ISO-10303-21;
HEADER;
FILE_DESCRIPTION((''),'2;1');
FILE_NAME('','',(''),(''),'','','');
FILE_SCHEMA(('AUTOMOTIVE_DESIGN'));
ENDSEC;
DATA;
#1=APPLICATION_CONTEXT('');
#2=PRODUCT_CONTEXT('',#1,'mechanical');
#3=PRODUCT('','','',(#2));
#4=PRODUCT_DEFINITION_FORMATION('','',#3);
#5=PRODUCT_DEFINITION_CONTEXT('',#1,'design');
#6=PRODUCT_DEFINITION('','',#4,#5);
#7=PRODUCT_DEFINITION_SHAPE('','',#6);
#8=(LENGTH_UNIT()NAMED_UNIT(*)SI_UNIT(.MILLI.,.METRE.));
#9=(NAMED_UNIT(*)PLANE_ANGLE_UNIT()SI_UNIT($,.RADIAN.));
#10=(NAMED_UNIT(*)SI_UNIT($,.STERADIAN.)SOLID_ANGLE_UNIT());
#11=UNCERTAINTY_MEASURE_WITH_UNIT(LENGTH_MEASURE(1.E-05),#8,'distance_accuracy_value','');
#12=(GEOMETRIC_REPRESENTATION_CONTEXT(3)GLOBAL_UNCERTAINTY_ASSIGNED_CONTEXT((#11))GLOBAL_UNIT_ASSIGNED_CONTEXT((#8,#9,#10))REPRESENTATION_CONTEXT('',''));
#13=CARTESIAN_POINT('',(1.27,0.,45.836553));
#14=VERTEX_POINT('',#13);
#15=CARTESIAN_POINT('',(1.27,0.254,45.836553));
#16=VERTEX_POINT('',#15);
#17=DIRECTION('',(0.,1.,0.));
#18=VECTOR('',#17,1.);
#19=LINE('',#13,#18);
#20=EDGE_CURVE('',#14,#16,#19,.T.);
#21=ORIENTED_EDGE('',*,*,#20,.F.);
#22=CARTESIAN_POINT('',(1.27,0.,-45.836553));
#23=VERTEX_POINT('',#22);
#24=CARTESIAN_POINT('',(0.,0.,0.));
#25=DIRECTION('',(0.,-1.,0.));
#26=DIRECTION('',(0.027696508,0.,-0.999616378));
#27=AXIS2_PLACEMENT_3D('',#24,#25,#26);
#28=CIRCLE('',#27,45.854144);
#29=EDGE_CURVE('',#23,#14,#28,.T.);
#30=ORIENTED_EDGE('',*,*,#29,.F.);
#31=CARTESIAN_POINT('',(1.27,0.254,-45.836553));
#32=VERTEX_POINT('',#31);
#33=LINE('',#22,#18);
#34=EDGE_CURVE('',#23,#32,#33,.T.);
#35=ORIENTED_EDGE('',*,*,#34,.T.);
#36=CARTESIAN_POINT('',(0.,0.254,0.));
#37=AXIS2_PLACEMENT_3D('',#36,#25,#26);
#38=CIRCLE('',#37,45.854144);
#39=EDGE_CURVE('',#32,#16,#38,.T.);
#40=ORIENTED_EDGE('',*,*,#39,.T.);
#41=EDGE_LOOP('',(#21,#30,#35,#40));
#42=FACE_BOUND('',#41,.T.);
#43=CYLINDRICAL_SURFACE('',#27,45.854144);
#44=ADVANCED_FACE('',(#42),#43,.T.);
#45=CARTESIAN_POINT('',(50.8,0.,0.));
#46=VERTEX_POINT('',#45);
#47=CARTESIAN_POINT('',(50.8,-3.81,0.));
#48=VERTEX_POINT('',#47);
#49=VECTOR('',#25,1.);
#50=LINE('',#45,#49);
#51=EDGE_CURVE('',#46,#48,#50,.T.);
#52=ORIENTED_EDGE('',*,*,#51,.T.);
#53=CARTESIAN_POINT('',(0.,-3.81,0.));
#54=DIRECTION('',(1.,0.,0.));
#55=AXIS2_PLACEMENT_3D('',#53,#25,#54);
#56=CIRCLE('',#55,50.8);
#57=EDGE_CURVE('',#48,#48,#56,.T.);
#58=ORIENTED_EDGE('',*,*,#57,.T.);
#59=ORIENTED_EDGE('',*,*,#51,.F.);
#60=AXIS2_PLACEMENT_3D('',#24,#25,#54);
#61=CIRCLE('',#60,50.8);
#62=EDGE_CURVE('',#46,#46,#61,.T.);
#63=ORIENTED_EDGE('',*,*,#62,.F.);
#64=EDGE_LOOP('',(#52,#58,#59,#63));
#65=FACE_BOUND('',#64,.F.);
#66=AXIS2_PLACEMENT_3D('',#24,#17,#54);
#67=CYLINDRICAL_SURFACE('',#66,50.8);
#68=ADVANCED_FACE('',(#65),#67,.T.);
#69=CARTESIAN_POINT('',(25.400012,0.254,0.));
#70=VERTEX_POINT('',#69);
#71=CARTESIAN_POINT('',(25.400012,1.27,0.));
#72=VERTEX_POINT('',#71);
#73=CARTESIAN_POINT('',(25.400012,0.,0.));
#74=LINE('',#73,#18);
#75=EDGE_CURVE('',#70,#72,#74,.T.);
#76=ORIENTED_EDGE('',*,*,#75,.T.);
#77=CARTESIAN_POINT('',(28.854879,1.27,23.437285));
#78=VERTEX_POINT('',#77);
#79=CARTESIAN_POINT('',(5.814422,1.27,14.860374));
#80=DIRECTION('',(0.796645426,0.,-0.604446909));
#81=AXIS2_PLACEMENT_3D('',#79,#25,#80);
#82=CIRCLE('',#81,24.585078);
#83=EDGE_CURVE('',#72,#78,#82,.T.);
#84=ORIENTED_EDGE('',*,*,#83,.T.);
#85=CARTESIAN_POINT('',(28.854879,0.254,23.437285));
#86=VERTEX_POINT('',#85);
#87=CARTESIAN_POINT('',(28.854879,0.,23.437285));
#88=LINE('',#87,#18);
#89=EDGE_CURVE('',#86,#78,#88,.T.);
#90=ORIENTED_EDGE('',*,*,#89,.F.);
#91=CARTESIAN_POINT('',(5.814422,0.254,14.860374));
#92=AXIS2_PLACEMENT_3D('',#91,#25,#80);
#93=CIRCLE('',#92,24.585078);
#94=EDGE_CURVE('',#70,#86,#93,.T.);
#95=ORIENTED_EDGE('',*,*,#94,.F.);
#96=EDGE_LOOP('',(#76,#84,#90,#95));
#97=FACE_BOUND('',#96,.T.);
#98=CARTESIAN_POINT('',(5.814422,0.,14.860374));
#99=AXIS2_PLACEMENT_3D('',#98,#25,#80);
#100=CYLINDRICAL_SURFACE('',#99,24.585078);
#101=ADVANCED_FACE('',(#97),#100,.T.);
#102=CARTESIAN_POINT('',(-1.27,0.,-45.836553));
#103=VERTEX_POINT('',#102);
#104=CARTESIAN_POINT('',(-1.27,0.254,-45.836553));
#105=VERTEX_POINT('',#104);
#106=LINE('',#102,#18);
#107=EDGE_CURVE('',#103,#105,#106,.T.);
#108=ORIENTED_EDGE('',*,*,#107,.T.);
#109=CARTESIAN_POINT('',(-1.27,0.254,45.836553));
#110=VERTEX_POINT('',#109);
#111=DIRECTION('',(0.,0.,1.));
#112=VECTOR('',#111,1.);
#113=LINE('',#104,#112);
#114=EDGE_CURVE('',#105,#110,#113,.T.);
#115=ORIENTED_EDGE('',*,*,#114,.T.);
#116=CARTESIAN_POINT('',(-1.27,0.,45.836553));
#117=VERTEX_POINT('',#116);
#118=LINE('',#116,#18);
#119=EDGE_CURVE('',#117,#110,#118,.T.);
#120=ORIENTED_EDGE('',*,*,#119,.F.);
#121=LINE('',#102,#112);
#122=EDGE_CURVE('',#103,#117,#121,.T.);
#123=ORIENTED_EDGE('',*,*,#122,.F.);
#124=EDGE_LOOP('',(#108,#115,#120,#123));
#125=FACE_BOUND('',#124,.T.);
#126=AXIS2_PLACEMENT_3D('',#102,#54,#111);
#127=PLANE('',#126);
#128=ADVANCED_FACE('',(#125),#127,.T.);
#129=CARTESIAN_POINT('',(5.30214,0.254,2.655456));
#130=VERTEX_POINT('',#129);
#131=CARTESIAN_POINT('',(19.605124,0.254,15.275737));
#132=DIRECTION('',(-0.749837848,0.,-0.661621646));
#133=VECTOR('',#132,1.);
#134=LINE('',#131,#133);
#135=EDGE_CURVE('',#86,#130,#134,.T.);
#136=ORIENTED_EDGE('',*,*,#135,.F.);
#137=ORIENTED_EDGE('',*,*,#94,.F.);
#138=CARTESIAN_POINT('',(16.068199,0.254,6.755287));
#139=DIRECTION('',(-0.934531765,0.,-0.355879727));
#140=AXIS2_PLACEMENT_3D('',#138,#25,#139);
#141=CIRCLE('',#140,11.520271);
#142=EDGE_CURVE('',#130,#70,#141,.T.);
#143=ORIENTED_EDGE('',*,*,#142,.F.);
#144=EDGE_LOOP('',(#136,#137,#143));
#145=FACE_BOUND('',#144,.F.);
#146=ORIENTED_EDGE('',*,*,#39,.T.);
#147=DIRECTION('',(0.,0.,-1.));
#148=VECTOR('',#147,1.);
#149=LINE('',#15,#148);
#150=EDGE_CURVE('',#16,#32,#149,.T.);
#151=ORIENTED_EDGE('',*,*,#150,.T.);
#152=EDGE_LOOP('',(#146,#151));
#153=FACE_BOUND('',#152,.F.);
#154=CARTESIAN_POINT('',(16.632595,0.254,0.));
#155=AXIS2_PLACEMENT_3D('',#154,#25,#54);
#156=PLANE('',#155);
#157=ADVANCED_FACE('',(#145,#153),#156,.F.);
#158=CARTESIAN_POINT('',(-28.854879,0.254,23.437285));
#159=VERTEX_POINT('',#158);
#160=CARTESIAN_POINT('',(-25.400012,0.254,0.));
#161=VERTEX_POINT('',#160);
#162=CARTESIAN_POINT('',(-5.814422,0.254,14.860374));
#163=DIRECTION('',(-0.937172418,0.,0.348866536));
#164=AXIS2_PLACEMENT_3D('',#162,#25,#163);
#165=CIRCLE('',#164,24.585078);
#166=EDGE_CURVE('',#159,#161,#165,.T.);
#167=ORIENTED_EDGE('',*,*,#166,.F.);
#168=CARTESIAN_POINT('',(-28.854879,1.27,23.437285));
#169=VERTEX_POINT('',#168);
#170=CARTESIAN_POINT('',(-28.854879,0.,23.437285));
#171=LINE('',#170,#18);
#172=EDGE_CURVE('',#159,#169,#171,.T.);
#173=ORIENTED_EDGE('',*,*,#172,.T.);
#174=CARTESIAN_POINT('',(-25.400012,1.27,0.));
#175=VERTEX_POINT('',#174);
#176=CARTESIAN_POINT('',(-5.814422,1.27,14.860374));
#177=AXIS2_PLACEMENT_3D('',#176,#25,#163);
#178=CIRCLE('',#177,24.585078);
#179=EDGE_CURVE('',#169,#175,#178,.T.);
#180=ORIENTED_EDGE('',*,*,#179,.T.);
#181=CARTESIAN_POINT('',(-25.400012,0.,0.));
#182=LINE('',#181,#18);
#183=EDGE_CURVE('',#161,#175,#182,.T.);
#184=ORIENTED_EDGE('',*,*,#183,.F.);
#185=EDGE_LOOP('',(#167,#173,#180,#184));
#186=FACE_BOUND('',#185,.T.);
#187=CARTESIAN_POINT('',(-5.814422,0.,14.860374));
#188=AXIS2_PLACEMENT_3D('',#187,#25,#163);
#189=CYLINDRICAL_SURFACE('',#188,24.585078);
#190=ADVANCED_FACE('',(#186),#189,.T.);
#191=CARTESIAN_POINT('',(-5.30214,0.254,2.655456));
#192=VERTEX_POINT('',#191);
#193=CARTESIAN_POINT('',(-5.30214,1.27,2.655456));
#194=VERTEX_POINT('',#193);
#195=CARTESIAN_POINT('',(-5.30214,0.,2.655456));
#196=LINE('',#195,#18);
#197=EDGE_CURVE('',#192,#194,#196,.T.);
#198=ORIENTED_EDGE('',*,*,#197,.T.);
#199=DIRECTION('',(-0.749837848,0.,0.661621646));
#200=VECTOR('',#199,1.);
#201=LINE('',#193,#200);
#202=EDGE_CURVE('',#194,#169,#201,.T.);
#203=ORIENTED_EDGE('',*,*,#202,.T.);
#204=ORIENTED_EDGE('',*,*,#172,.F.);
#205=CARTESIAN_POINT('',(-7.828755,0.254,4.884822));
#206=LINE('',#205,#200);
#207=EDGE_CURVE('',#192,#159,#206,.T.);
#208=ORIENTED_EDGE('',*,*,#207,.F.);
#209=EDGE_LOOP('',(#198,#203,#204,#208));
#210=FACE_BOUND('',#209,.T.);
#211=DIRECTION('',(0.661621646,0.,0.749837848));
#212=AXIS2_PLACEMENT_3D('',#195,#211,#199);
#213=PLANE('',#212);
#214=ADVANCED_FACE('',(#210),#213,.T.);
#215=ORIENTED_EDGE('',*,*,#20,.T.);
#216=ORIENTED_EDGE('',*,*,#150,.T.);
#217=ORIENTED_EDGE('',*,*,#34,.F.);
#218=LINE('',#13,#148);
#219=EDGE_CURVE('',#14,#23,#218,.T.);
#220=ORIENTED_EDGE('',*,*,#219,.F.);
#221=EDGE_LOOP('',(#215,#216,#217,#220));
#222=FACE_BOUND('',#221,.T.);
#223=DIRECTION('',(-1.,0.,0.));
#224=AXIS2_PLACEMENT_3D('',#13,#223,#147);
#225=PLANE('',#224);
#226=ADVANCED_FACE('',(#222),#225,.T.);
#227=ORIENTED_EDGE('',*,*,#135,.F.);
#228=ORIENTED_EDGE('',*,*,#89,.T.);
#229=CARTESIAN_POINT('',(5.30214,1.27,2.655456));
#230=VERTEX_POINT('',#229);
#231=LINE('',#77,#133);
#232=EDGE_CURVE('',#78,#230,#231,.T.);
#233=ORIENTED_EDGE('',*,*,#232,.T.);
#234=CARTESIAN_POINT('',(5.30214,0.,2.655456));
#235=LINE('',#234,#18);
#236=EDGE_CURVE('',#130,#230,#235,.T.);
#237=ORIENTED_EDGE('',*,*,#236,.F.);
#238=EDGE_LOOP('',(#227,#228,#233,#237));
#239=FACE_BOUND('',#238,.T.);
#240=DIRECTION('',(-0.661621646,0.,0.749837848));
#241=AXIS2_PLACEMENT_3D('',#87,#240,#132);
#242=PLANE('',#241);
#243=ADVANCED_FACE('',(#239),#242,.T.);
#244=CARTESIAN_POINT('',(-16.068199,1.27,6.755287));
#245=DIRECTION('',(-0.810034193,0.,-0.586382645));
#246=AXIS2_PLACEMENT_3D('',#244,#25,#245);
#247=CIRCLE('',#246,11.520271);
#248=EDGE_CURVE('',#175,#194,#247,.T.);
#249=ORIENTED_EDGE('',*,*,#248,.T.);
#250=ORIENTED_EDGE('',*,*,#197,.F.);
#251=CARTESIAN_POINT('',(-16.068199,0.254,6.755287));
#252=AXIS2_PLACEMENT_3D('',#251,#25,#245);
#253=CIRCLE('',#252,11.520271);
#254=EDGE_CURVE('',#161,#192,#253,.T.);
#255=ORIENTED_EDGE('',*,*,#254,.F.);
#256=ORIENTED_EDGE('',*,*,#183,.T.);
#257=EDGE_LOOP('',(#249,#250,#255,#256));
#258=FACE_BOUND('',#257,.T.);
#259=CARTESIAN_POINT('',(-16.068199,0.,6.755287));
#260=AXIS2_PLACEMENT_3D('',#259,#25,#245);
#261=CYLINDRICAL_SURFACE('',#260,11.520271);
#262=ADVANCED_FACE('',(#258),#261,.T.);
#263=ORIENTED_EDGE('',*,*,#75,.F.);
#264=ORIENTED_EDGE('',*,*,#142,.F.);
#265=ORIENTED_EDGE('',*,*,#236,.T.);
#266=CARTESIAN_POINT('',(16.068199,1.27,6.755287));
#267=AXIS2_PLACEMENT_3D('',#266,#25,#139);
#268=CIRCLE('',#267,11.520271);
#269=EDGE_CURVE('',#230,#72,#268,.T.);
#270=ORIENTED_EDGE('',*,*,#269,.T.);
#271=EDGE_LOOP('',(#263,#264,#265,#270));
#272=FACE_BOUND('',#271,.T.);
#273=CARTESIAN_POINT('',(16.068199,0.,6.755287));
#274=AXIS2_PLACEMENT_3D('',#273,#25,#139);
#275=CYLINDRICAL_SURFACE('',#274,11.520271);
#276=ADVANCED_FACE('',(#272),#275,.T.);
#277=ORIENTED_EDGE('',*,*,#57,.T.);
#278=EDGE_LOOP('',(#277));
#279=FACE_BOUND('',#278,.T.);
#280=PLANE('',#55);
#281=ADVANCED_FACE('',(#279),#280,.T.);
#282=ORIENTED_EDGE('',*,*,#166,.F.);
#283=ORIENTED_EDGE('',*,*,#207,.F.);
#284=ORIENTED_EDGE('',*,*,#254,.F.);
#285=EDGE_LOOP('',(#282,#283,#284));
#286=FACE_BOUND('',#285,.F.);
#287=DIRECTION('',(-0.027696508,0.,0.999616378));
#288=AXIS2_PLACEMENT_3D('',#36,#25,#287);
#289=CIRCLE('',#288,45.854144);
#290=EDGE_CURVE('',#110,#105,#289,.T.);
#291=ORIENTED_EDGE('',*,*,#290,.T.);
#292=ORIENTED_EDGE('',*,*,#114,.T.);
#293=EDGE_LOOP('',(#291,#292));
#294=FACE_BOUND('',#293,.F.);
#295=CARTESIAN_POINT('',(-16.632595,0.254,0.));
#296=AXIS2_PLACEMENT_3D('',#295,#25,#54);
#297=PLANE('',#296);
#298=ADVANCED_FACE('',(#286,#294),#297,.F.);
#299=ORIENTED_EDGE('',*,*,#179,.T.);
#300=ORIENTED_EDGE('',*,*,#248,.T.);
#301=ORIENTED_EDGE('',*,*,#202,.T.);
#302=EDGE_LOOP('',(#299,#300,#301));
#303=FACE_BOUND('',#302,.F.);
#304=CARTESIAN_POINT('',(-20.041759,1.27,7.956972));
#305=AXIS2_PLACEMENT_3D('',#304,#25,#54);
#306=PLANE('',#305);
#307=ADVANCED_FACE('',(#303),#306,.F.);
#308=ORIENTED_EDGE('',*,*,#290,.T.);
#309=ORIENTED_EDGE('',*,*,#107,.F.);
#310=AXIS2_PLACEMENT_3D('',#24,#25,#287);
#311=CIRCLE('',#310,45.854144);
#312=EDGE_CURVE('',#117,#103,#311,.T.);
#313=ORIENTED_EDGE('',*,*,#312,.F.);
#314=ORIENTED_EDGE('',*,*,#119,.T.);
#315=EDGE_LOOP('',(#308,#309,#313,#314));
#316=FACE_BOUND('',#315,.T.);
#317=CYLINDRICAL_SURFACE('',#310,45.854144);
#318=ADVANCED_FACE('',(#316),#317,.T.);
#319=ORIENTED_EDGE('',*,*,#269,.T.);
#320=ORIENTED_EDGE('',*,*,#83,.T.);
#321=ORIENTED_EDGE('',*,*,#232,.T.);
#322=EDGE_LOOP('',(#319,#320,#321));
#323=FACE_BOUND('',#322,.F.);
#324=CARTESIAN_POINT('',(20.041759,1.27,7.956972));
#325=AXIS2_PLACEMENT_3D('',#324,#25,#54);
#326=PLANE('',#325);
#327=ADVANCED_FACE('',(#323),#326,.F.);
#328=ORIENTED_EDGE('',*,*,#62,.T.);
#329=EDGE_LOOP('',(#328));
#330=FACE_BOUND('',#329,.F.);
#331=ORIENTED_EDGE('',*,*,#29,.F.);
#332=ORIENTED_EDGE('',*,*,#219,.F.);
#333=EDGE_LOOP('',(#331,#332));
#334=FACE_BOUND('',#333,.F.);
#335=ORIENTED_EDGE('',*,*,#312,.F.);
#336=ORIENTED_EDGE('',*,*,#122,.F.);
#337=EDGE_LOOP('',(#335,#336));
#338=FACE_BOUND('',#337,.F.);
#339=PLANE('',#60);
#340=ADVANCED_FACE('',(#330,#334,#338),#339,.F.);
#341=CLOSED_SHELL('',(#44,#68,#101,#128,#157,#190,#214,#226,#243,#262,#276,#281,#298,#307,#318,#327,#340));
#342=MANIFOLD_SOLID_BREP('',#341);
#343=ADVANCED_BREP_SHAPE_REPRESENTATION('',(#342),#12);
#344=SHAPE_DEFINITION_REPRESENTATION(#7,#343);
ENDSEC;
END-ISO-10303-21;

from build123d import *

# Parameters (mm, degrees)
F0_R     = 50.8
F1_DEPTH = 3.81
F3_DEPTH = 0.254
F5_DEPTH = 1.27


with BuildPart() as f1:
    # F0 (on Front) → F1 (new body)
    with BuildSketch(Plane.XZ):
        Circle(F0_R)
    extrude(amount=F1_DEPTH)

    # F2 (on Front) → F3 (join)
    with BuildSketch(Plane.XZ):
        with BuildLine():
            Line((-1.27, -45.836553), (-1.27, 45.836553))
            ThreePointArc((-1.27, 45.836553), (-45.854144, 0), (-1.27, -45.836553))
        make_face()
        with BuildLine():
            ThreePointArc((1.27, -45.836553), (45.854144, 0), (1.27, 45.836553))
            Line((1.27, 45.836553), (1.27, -45.836553))
        make_face()
    extrude(amount=-F3_DEPTH)

    # F4 (on Front) → F5 (join)
    with BuildSketch(Plane.XZ):
        with BuildLine():
            ThreePointArc((-25.400012, 0), (-14.559184, -4.665725), (-5.30214, 2.655456))
            Line((-5.30214, 2.655456), (-28.854879, 23.437285))
            ThreePointArc((-28.854879, 23.437285), (-30.136666, 11.275056), (-25.400012, 0))
        make_face()
        with BuildLine():
            Line((28.854879, 23.437285), (5.30214, 2.655456))
            ThreePointArc((5.30214, 2.655456), (14.559184, -4.665725), (25.400012, 0))
            ThreePointArc((25.400012, 0), (30.136666, 11.275056), (28.854879, 23.437285))
        make_face()
    extrude(amount=-F5_DEPTH)


solid = f1.part
